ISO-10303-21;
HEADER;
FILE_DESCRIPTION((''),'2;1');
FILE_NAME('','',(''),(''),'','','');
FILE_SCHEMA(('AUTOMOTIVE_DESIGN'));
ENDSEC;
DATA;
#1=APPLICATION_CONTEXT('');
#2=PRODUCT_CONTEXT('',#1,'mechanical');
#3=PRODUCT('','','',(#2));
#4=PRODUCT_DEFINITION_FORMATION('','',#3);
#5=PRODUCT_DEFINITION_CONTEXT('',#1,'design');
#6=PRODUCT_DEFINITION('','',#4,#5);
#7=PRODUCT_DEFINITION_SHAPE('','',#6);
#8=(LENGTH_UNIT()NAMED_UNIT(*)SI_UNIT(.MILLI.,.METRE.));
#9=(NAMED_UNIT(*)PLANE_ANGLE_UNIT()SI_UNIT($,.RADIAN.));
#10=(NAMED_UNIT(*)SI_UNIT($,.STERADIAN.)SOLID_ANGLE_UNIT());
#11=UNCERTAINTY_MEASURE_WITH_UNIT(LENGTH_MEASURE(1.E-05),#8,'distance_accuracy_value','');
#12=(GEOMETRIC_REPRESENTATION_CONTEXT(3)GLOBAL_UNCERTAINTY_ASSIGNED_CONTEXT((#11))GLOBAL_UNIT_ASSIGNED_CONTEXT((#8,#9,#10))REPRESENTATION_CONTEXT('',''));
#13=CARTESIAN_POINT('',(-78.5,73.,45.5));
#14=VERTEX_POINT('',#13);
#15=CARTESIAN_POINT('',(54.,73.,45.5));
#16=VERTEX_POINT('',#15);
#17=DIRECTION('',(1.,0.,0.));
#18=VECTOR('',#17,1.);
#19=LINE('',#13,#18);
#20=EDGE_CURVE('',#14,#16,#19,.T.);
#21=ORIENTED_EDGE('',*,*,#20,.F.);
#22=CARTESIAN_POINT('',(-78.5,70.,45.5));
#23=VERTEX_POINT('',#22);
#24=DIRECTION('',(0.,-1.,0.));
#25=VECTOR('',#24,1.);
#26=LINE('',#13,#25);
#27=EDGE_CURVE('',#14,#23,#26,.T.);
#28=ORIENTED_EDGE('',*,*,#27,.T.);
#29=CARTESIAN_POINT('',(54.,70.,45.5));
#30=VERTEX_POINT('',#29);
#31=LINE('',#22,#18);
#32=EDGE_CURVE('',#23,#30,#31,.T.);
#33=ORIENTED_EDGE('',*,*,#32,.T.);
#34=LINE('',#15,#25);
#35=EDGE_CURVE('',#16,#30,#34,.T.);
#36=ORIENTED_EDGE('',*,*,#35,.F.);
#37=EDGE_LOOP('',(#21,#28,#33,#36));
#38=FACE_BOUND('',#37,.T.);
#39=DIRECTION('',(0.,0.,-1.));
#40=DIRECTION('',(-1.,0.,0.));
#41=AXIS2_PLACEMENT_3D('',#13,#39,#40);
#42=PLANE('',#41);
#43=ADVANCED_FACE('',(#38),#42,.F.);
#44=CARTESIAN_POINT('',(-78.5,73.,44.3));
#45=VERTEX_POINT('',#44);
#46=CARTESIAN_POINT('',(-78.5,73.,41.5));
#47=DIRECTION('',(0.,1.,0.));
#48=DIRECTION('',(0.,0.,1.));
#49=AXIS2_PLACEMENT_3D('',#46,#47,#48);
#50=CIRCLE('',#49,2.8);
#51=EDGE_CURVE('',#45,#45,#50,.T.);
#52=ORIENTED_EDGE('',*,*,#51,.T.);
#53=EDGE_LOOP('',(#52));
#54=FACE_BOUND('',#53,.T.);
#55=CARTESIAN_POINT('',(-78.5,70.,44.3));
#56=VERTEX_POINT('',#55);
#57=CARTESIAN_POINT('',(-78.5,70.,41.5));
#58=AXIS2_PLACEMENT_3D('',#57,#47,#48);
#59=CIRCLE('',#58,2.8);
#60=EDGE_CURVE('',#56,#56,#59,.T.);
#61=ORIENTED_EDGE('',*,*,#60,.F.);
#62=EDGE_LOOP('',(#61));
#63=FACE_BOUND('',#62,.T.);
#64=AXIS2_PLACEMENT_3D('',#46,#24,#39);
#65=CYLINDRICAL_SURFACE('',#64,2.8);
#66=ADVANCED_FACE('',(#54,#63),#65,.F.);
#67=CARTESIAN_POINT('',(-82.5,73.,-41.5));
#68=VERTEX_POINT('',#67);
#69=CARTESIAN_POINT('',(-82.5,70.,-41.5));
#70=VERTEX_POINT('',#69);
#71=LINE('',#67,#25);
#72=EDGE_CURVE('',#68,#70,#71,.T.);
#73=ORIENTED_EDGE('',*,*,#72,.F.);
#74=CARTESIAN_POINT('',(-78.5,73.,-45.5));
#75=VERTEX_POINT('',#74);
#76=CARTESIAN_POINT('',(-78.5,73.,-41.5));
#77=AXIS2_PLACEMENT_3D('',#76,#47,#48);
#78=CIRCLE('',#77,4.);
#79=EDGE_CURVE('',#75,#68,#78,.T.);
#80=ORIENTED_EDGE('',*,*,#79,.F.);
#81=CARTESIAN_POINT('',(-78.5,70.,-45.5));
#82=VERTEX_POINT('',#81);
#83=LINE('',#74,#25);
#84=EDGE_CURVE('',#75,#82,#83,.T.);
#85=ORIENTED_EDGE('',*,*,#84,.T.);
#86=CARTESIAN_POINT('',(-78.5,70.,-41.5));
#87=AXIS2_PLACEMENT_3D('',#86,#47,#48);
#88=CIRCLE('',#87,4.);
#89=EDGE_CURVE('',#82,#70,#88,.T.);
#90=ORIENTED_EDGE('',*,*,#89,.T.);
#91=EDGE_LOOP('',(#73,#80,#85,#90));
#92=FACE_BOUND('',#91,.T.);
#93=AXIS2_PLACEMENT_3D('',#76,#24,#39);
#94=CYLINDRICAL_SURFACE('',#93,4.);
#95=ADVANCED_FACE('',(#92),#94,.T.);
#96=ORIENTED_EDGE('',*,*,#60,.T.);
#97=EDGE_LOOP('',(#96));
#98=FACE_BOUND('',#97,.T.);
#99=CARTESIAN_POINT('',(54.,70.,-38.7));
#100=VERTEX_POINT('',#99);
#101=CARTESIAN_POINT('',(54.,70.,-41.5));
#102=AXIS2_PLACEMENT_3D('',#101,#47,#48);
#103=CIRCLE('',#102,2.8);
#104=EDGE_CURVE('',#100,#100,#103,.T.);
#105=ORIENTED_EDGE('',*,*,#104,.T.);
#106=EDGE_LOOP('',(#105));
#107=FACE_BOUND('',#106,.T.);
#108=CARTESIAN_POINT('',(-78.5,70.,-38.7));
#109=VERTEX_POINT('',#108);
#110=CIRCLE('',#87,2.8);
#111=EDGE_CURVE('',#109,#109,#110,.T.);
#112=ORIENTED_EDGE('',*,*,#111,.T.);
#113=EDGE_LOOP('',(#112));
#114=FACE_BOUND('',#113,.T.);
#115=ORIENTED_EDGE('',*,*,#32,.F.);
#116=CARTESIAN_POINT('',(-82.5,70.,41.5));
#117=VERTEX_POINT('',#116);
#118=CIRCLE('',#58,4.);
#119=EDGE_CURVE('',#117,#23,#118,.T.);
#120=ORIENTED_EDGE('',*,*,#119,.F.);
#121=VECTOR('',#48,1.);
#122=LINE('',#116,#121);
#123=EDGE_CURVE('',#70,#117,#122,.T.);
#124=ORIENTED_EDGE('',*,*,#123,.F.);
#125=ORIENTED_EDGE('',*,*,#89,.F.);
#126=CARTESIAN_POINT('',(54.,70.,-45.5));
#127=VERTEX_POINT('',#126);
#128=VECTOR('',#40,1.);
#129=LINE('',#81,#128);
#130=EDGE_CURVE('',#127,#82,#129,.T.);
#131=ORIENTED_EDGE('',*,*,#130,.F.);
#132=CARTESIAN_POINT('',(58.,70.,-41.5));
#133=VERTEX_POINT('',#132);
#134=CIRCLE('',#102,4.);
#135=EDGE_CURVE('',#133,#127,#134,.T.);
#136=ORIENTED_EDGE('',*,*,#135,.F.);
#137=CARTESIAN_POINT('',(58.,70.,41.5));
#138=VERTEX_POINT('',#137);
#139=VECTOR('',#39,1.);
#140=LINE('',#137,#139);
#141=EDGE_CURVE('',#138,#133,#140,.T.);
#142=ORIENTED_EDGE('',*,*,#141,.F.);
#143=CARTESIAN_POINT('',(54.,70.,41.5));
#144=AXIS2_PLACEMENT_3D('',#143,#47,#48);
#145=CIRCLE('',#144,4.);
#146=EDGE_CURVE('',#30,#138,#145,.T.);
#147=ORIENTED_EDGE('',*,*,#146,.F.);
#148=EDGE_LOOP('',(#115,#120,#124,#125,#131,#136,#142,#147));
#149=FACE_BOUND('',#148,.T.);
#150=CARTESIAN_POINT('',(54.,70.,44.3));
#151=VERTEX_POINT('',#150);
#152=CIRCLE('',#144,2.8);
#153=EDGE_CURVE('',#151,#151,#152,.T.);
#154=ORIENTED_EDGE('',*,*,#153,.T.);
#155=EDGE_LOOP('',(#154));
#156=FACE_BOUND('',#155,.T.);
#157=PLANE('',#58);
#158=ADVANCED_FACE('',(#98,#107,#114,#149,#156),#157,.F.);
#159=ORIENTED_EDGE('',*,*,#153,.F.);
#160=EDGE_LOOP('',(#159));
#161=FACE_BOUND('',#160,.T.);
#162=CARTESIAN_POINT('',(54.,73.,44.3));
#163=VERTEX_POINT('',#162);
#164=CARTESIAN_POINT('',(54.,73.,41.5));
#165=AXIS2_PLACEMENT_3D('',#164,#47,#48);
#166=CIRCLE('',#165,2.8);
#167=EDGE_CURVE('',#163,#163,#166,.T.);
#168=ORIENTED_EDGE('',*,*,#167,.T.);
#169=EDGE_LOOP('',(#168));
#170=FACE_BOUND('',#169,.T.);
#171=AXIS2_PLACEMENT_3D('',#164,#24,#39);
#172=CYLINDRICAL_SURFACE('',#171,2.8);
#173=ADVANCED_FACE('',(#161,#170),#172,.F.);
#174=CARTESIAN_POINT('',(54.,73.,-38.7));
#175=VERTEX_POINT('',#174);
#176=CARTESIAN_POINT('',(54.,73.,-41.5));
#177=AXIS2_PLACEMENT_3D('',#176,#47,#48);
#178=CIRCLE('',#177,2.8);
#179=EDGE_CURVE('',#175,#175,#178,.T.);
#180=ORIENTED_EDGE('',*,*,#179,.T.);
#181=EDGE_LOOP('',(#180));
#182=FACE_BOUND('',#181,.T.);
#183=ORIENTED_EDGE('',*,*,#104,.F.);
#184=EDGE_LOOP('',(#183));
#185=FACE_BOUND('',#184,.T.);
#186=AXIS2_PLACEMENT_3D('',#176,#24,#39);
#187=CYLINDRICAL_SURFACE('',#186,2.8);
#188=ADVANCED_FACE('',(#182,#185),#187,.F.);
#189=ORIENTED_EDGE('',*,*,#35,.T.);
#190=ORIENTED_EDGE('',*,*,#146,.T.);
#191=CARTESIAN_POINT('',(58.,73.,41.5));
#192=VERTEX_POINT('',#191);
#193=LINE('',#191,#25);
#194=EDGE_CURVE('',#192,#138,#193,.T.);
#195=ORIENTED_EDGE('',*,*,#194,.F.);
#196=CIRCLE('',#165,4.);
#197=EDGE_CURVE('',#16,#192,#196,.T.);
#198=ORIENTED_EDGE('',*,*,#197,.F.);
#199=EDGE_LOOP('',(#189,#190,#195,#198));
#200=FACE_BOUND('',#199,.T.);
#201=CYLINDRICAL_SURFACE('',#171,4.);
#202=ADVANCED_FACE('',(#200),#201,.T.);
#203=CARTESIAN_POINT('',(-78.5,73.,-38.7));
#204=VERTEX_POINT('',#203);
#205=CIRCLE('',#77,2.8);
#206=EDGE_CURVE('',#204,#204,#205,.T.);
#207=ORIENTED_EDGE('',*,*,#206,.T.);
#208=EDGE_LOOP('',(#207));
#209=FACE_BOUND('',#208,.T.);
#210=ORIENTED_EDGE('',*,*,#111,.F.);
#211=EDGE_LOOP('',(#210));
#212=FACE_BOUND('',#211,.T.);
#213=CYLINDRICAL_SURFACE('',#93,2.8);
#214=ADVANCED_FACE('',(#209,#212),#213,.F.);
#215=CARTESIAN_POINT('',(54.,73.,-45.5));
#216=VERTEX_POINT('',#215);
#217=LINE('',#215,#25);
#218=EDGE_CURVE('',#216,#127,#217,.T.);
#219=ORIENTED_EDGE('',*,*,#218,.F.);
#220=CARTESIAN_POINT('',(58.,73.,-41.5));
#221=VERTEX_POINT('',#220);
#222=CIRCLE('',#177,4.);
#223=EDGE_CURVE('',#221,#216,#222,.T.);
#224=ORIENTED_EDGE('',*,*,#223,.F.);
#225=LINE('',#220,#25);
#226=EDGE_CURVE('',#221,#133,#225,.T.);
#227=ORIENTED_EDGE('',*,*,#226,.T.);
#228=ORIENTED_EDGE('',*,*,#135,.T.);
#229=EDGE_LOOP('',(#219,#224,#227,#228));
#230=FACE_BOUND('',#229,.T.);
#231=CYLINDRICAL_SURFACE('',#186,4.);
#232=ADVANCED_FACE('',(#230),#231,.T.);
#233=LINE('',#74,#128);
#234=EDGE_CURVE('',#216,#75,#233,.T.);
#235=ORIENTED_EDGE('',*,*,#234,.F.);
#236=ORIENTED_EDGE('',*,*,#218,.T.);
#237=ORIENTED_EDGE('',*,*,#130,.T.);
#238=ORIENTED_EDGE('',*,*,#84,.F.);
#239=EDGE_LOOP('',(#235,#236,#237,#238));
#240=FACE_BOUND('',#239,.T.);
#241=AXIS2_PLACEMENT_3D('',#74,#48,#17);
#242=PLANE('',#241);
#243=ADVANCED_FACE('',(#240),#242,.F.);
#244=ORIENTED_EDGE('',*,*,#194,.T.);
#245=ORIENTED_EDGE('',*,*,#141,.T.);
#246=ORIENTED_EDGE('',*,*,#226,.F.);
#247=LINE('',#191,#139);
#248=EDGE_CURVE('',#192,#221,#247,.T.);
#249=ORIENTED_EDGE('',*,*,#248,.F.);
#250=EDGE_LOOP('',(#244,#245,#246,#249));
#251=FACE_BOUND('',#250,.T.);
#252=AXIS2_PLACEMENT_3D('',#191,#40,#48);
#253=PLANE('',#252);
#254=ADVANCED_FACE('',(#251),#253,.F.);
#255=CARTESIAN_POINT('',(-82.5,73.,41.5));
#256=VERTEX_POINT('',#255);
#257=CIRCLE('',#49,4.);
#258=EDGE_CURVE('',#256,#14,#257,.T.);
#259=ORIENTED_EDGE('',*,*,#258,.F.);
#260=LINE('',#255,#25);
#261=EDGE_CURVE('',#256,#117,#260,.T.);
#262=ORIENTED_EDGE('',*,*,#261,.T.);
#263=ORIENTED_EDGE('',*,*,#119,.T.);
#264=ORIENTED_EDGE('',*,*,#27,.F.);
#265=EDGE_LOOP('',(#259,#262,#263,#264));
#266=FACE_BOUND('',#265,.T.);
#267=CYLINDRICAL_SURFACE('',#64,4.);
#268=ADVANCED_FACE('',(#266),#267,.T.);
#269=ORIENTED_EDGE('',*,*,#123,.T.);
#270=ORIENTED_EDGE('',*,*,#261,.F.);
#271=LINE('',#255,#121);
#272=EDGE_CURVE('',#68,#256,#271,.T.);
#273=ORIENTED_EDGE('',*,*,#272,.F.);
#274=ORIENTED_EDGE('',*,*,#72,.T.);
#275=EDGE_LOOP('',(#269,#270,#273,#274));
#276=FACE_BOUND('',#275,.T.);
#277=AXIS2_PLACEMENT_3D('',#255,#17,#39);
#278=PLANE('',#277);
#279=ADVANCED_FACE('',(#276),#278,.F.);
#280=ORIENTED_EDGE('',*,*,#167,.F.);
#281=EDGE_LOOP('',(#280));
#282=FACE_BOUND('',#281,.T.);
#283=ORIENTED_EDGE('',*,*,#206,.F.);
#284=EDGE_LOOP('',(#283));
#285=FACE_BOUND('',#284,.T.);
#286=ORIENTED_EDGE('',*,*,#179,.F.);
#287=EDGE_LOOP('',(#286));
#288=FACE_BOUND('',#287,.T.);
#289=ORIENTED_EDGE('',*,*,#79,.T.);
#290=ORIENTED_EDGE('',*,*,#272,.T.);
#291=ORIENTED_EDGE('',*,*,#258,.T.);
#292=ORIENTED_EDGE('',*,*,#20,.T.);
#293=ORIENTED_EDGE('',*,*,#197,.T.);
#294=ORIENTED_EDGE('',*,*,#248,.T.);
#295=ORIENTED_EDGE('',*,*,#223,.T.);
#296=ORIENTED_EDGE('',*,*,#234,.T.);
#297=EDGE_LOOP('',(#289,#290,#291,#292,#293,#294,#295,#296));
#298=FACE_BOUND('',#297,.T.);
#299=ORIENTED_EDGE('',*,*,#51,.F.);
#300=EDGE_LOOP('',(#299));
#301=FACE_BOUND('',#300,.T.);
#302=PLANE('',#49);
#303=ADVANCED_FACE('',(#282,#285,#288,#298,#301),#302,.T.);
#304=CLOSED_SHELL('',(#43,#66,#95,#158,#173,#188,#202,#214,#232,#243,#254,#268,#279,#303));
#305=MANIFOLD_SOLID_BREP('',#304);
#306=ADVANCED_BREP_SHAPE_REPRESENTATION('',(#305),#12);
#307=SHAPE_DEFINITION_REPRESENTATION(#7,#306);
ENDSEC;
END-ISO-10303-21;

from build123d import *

# Parameters (mm, degrees)
SKETCH1_W                 = 134.5
SKETCH1_H                 = 85
BOSS_EXTRUDE1_DEPTH       = 3
SKETCH2_W                 = 140.5
SKETCH2_H                 = 91
SKETCH2_W_2               = 134.5
SKETCH2_H_2               = 85
BOSS_EXTRUDE2_DEPTH       = 70
BOSS_EXTRUDE3_START       = 5
SKETCH3_W                 = 100
SKETCH3_H                 = 80
BOSS_EXTRUDE3_DEPTH       = 5
SKETCH5_W                 = 3
SKETCH5_H                 = 66
BOSS_EXTRUDE5_DEPTH       = 30
SKETCH6_R                 = 3
SKETCH6_R_2               = 1
BOSS_EXTRUDE6_DEPTH       = 10
SKETCH7_W                 = 100
SKETCH7_H                 = 80
CUT_EXTRUDE2_DEPTH        = 10
SKETCH6_2_R               = 3
SKETCH6_2_R_2             = 1
BOSS_EXTRUDE7_DEPTH       = 8
MIRROR4_COPY_1_SKETCH_R   = 3
MIRROR4_COPY_1_SKETCH_R_2 = 1
MIRROR4_COPY_1_DEPTH      = 8
SKETCH9_R                 = 26.15
SKETCH9_W                 = 29.3
SKETCH9_H                 = 26.2
SKETCH9_R_2               = 1
SKETCH9_R_3               = 3.4
SKETCH9_R_4               = 7.9
CUT_EXTRUDE3_DEPTH        = 3
SKETCH10_R                = 2.95
SKETCH10_R_2              = 5.9
CUT_EXTRUDE4_DEPTH        = 3
BOSS_EXTRUDE8_DEPTH       = 7
FILLET1_R                 = 4
CUT_EXTRUDE6_DEPTH        = 5
SKETCH14_R                = 2.8
BOSS_EXTRUDE9_DEPTH       = 3


with BuildPart() as part:
    # Sketch1 → Boss-Extrude1 (new body)
    with BuildSketch(Plane(origin=(0, 0, 0), x_dir=(1, 0, 0), z_dir=(0, 1, 0))):
        with Locations((-12.25, 0)):
            Rectangle(SKETCH1_W, SKETCH1_H)
    extrude(amount=BOSS_EXTRUDE1_DEPTH)

    # Sketch2 → Boss-Extrude2 (add)
    with BuildSketch(Plane(origin=(0, 0, 0), x_dir=(1, 0, 0), z_dir=(0, 1, 0))):
        with Locations((-12.25, 0)):
            Rectangle(SKETCH2_W, SKETCH2_H)
        with Locations((-12.25, 0)):
            Rectangle(SKETCH2_W_2, SKETCH2_H_2, mode=Mode.SUBTRACT)
    extrude(amount=BOSS_EXTRUDE2_DEPTH)

    # Sketch5 → Boss-Extrude5 (add)
    with BuildSketch(Plane(origin=(0, 3, 0), x_dir=(1, 0, 0), z_dir=(0, 1, 0))):
        Polygon((-58, -26.5), (-58, -23.5), (-61, -23.5), (-79.5, -23.5), (-79.5, -26.5), align=None)
        with Locations((-59.5, 9.5)):
            Rectangle(SKETCH5_W, SKETCH5_H)
    extrude(amount=BOSS_EXTRUDE5_DEPTH)



with BuildPart() as body_2:
    # Sketch3 → Boss-Extrude3 (new body)
    with BuildSketch(Plane(origin=(0, 3, 0), x_dir=(1, 0, 0), z_dir=(0, 1, 0)).offset(BOSS_EXTRUDE3_START)):
        Rectangle(SKETCH3_W, SKETCH3_H)
    extrude(amount=BOSS_EXTRUDE3_DEPTH)


with BuildPart() as part_1:
    add(part.part)

    add(body_2.part)  # Boss-Extrude6 merges body 2
    # Sketch6 → Boss-Extrude6 (add)
    with BuildSketch(Plane(origin=(0, 3, 0), x_dir=(1, 0, 0), z_dir=(0, 1, 0))):
        with Locations((-45, -35)):
            Circle(SKETCH6_R)
        with Locations((-45, -35)):
            Circle(SKETCH6_R_2, mode=Mode.SUBTRACT)
    extrude(amount=BOSS_EXTRUDE6_DEPTH)

    # Sketch7 → Cut-Extrude2 (cut)
    with BuildSketch(Plane(origin=(0, 13, 0), x_dir=(1, 0, 0), z_dir=(0, 1, 0))):
        Rectangle(SKETCH7_W, SKETCH7_H)
    extrude(amount=-CUT_EXTRUDE2_DEPTH, mode=Mode.SUBTRACT)

    # Sketch6<2> → Boss-Extrude7 (add)
    with BuildSketch(Plane(origin=(0, 3, 0), x_dir=(1, 0, 0), z_dir=(0, 1, 0))):
        with Locations((-45, -35)):
            Circle(SKETCH6_2_R)
        with Locations((-45, -35)):
            Circle(SKETCH6_2_R_2, mode=Mode.SUBTRACT)
    boss_extrude7 = extrude(amount=BOSS_EXTRUDE7_DEPTH)

    # Mirror3: Boss-Extrude7 across plane
    add(boss_extrude7.mirror(Plane.XY))

    # Mirror4: Boss-Extrude7 across plane
    add(boss_extrude7.mirror(Plane(origin=(0, 0, 0), x_dir=(0, 0, 1), z_dir=(1, 0, 0))))

    # Mirror4 copy 1 sketch → Mirror4 copy 1 (add)
    with BuildSketch(Plane(origin=(0, 3, 0), x_dir=(-1, 0, 0), z_dir=(0, 1, 0))):
        with Locations((-45, -35)):
            Circle(MIRROR4_COPY_1_SKETCH_R)
        with Locations((-45, -35)):
            Circle(MIRROR4_COPY_1_SKETCH_R_2, mode=Mode.SUBTRACT)
    extrude(amount=MIRROR4_COPY_1_DEPTH)

    # Sketch9 → Cut-Extrude3 (cut)
    with BuildSketch(Plane.XY.offset(45.5)):
        with Locations((23, 40.85)):
            Circle(SKETCH9_R)
        with Locations((-47.5, 50)):
            Rectangle(SKETCH9_W, SKETCH9_H)
        with Locations((1.786796564, 62.063203436)):
            Circle(SKETCH9_R_2)
        with Locations((44.213203436, 62.063203436)):
            Circle(SKETCH9_R_2)
        with Locations((44.213203436, 19.636796564)):
            Circle(SKETCH9_R_2)
        with Locations((1.786796564, 19.636796564)):
            Circle(SKETCH9_R_2)
        with Locations((-58.75, 21.9)):
            Circle(SKETCH9_R_3)
        with Locations((-40.75, 21.9)):
            Circle(SKETCH9_R_4)
    extrude(amount=-CUT_EXTRUDE3_DEPTH, mode=Mode.SUBTRACT)

    # Sketch10 → Cut-Extrude4 (cut)
    with BuildSketch(Plane(origin=(58, 0, 0), x_dir=(0, 0, -1), z_dir=(1, 0, 0))):
        with Locations((15.5, 55)):
            Circle(SKETCH10_R)
        with Locations((30.5, 55)):
            Circle(SKETCH10_R_2)
    extrude(amount=-CUT_EXTRUDE4_DEPTH, mode=Mode.SUBTRACT)

    # Sketch11 → Boss-Extrude8 (add)
    with BuildSketch(Plane(origin=(0, 70, 0), x_dir=(1, 0, 0), z_dir=(0, 1, 0))):
        Polygon((-74.5, 42.5), (-79.5, 42.5), (-79.5, 37.5), align=None)
        Polygon((55, 37.5), (55, 42.5), (50, 42.5), align=None)
        Polygon((50, -42.5), (55, -42.5), (55, -37.5), align=None)
        Polygon((-79.5, -37.5), (-79.5, -42.5), (-74.5, -42.5), align=None)
    extrude(amount=-BOSS_EXTRUDE8_DEPTH)

    # Fillet1
    fillet1_edges = [part_1.edges().sort_by_distance(p)[0] for p in [
        (58, 35, 45.5),
        (58, 35, -45.5),
        (-82.5, 35, -45.5),
        (-82.5, 35, 45.5),
    ]]
    fillet(fillet1_edges, radius=FILLET1_R)

    # Sketch13 → Cut-Extrude6 (cut)
    with BuildSketch(Plane(origin=(0, 70, 0), x_dir=(1, 0, 0), z_dir=(0, 1, 0))):
        with BuildLine():
            ThreePointArc((55.371320344, 42.871320344), (53.957106781, 42.871320344), (53.957106781, 41.457106781))
            Line((53.957106781, 41.457106781), (55.371320344, 42.871320344))
        make_face()
        with BuildLine():
            Line((55.371320344, 42.871320344), (53.957106781, 41.457106781))
            ThreePointArc((53.957106781, 41.457106781), (55.046896995, 41.24033403), (55.664213562, 42.164213562))
            ThreePointArc((55.664213562, 42.164213562), (55.588093095, 42.546896995), (55.371320344, 42.871320344))
        make_face()
        with BuildLine():
            ThreePointArc((53.957106781, -41.457106781), (53.957106781, -42.871320344), (55.371320344, -42.871320344))
            Line((55.371320344, -42.871320344), (53.957106781, -41.457106781))
        make_face()
        with BuildLine():
            Line((53.957106781, -41.457106781), (55.371320344, -42.871320344))
            ThreePointArc((55.371320344, -42.871320344), (55.588093095, -42.546896995), (55.664213562, -42.164213562))
            ThreePointArc((55.664213562, -42.164213562), (55.046896995, -41.24033403), (53.957106781, -41.457106781))
        make_face()
        with BuildLine():
            ThreePointArc((-78.164213562, -42.164213562), (-78.24033403, -41.78153013), (-78.457106781, -41.457106781))
            Line((-78.457106781, -41.457106781), (-79.871320344, -42.871320344))
            ThreePointArc((-79.871320344, -42.871320344), (-78.78153013, -43.088093095), (-78.164213562, -42.164213562))
        make_face()
        with BuildLine():
            Line((-79.871320344, -42.871320344), (-78.457106781, -41.457106781))
            ThreePointArc((-78.457106781, -41.457106781), (-79.871320344, -41.457106781), (-79.871320344, -42.871320344))
        make_face()
        with BuildLine():
            ThreePointArc((-78.164213562, 42.164213562), (-78.78153013, 43.088093095), (-79.871320344, 42.871320344))
            Line((-79.871320344, 42.871320344), (-78.457106781, 41.457106781))
            ThreePointArc((-78.457106781, 41.457106781), (-78.24033403, 41.78153013), (-78.164213562, 42.164213562))
        make_face()
        with BuildLine():
            Line((-78.457106781, 41.457106781), (-79.871320344, 42.871320344))
            ThreePointArc((-79.871320344, 42.871320344), (-79.871320344, 41.457106781), (-78.457106781, 41.457106781))
        make_face()
    extrude(amount=-CUT_EXTRUDE6_DEPTH, mode=Mode.SUBTRACT)


with BuildPart() as body_2_2:
    # Sketch14 → Boss-Extrude9 (new body)
    with BuildSketch(Plane(origin=(0, 70, 0), x_dir=(1, 0, 0), z_dir=(0, 1, 0))):
        with BuildLine():
            Line((-78.5, -45.5), (54, -45.5))
            ThreePointArc((54, -45.5), (56.828427125, -44.328427125), (58, -41.5))
            Line((58, -41.5), (58, 41.5))
            ThreePointArc((58, 41.5), (56.828427125, 44.328427125), (54, 45.5))
            Line((54, 45.5), (-78.5, 45.5))
            ThreePointArc((-78.5, 45.5), (-81.328427125, 44.328427125), (-82.5, 41.5))
            Line((-82.5, 41.5), (-82.5, -41.5))
            ThreePointArc((-82.5, -41.5), (-81.328427125, -44.328427125), (-78.5, -45.5))
        make_face()
        with Locations((-78.5, 41.5)):
            Circle(SKETCH14_R, mode=Mode.SUBTRACT)
        with Locations((54, 41.5)):
            Circle(SKETCH14_R, mode=Mode.SUBTRACT)
        with Locations((54, -41.5)):
            Circle(SKETCH14_R, mode=Mode.SUBTRACT)
        with Locations((-78.5, -41.5)):
            Circle(SKETCH14_R, mode=Mode.SUBTRACT)
    extrude(amount=BOSS_EXTRUDE9_DEPTH)


solid = body_2_2.part
